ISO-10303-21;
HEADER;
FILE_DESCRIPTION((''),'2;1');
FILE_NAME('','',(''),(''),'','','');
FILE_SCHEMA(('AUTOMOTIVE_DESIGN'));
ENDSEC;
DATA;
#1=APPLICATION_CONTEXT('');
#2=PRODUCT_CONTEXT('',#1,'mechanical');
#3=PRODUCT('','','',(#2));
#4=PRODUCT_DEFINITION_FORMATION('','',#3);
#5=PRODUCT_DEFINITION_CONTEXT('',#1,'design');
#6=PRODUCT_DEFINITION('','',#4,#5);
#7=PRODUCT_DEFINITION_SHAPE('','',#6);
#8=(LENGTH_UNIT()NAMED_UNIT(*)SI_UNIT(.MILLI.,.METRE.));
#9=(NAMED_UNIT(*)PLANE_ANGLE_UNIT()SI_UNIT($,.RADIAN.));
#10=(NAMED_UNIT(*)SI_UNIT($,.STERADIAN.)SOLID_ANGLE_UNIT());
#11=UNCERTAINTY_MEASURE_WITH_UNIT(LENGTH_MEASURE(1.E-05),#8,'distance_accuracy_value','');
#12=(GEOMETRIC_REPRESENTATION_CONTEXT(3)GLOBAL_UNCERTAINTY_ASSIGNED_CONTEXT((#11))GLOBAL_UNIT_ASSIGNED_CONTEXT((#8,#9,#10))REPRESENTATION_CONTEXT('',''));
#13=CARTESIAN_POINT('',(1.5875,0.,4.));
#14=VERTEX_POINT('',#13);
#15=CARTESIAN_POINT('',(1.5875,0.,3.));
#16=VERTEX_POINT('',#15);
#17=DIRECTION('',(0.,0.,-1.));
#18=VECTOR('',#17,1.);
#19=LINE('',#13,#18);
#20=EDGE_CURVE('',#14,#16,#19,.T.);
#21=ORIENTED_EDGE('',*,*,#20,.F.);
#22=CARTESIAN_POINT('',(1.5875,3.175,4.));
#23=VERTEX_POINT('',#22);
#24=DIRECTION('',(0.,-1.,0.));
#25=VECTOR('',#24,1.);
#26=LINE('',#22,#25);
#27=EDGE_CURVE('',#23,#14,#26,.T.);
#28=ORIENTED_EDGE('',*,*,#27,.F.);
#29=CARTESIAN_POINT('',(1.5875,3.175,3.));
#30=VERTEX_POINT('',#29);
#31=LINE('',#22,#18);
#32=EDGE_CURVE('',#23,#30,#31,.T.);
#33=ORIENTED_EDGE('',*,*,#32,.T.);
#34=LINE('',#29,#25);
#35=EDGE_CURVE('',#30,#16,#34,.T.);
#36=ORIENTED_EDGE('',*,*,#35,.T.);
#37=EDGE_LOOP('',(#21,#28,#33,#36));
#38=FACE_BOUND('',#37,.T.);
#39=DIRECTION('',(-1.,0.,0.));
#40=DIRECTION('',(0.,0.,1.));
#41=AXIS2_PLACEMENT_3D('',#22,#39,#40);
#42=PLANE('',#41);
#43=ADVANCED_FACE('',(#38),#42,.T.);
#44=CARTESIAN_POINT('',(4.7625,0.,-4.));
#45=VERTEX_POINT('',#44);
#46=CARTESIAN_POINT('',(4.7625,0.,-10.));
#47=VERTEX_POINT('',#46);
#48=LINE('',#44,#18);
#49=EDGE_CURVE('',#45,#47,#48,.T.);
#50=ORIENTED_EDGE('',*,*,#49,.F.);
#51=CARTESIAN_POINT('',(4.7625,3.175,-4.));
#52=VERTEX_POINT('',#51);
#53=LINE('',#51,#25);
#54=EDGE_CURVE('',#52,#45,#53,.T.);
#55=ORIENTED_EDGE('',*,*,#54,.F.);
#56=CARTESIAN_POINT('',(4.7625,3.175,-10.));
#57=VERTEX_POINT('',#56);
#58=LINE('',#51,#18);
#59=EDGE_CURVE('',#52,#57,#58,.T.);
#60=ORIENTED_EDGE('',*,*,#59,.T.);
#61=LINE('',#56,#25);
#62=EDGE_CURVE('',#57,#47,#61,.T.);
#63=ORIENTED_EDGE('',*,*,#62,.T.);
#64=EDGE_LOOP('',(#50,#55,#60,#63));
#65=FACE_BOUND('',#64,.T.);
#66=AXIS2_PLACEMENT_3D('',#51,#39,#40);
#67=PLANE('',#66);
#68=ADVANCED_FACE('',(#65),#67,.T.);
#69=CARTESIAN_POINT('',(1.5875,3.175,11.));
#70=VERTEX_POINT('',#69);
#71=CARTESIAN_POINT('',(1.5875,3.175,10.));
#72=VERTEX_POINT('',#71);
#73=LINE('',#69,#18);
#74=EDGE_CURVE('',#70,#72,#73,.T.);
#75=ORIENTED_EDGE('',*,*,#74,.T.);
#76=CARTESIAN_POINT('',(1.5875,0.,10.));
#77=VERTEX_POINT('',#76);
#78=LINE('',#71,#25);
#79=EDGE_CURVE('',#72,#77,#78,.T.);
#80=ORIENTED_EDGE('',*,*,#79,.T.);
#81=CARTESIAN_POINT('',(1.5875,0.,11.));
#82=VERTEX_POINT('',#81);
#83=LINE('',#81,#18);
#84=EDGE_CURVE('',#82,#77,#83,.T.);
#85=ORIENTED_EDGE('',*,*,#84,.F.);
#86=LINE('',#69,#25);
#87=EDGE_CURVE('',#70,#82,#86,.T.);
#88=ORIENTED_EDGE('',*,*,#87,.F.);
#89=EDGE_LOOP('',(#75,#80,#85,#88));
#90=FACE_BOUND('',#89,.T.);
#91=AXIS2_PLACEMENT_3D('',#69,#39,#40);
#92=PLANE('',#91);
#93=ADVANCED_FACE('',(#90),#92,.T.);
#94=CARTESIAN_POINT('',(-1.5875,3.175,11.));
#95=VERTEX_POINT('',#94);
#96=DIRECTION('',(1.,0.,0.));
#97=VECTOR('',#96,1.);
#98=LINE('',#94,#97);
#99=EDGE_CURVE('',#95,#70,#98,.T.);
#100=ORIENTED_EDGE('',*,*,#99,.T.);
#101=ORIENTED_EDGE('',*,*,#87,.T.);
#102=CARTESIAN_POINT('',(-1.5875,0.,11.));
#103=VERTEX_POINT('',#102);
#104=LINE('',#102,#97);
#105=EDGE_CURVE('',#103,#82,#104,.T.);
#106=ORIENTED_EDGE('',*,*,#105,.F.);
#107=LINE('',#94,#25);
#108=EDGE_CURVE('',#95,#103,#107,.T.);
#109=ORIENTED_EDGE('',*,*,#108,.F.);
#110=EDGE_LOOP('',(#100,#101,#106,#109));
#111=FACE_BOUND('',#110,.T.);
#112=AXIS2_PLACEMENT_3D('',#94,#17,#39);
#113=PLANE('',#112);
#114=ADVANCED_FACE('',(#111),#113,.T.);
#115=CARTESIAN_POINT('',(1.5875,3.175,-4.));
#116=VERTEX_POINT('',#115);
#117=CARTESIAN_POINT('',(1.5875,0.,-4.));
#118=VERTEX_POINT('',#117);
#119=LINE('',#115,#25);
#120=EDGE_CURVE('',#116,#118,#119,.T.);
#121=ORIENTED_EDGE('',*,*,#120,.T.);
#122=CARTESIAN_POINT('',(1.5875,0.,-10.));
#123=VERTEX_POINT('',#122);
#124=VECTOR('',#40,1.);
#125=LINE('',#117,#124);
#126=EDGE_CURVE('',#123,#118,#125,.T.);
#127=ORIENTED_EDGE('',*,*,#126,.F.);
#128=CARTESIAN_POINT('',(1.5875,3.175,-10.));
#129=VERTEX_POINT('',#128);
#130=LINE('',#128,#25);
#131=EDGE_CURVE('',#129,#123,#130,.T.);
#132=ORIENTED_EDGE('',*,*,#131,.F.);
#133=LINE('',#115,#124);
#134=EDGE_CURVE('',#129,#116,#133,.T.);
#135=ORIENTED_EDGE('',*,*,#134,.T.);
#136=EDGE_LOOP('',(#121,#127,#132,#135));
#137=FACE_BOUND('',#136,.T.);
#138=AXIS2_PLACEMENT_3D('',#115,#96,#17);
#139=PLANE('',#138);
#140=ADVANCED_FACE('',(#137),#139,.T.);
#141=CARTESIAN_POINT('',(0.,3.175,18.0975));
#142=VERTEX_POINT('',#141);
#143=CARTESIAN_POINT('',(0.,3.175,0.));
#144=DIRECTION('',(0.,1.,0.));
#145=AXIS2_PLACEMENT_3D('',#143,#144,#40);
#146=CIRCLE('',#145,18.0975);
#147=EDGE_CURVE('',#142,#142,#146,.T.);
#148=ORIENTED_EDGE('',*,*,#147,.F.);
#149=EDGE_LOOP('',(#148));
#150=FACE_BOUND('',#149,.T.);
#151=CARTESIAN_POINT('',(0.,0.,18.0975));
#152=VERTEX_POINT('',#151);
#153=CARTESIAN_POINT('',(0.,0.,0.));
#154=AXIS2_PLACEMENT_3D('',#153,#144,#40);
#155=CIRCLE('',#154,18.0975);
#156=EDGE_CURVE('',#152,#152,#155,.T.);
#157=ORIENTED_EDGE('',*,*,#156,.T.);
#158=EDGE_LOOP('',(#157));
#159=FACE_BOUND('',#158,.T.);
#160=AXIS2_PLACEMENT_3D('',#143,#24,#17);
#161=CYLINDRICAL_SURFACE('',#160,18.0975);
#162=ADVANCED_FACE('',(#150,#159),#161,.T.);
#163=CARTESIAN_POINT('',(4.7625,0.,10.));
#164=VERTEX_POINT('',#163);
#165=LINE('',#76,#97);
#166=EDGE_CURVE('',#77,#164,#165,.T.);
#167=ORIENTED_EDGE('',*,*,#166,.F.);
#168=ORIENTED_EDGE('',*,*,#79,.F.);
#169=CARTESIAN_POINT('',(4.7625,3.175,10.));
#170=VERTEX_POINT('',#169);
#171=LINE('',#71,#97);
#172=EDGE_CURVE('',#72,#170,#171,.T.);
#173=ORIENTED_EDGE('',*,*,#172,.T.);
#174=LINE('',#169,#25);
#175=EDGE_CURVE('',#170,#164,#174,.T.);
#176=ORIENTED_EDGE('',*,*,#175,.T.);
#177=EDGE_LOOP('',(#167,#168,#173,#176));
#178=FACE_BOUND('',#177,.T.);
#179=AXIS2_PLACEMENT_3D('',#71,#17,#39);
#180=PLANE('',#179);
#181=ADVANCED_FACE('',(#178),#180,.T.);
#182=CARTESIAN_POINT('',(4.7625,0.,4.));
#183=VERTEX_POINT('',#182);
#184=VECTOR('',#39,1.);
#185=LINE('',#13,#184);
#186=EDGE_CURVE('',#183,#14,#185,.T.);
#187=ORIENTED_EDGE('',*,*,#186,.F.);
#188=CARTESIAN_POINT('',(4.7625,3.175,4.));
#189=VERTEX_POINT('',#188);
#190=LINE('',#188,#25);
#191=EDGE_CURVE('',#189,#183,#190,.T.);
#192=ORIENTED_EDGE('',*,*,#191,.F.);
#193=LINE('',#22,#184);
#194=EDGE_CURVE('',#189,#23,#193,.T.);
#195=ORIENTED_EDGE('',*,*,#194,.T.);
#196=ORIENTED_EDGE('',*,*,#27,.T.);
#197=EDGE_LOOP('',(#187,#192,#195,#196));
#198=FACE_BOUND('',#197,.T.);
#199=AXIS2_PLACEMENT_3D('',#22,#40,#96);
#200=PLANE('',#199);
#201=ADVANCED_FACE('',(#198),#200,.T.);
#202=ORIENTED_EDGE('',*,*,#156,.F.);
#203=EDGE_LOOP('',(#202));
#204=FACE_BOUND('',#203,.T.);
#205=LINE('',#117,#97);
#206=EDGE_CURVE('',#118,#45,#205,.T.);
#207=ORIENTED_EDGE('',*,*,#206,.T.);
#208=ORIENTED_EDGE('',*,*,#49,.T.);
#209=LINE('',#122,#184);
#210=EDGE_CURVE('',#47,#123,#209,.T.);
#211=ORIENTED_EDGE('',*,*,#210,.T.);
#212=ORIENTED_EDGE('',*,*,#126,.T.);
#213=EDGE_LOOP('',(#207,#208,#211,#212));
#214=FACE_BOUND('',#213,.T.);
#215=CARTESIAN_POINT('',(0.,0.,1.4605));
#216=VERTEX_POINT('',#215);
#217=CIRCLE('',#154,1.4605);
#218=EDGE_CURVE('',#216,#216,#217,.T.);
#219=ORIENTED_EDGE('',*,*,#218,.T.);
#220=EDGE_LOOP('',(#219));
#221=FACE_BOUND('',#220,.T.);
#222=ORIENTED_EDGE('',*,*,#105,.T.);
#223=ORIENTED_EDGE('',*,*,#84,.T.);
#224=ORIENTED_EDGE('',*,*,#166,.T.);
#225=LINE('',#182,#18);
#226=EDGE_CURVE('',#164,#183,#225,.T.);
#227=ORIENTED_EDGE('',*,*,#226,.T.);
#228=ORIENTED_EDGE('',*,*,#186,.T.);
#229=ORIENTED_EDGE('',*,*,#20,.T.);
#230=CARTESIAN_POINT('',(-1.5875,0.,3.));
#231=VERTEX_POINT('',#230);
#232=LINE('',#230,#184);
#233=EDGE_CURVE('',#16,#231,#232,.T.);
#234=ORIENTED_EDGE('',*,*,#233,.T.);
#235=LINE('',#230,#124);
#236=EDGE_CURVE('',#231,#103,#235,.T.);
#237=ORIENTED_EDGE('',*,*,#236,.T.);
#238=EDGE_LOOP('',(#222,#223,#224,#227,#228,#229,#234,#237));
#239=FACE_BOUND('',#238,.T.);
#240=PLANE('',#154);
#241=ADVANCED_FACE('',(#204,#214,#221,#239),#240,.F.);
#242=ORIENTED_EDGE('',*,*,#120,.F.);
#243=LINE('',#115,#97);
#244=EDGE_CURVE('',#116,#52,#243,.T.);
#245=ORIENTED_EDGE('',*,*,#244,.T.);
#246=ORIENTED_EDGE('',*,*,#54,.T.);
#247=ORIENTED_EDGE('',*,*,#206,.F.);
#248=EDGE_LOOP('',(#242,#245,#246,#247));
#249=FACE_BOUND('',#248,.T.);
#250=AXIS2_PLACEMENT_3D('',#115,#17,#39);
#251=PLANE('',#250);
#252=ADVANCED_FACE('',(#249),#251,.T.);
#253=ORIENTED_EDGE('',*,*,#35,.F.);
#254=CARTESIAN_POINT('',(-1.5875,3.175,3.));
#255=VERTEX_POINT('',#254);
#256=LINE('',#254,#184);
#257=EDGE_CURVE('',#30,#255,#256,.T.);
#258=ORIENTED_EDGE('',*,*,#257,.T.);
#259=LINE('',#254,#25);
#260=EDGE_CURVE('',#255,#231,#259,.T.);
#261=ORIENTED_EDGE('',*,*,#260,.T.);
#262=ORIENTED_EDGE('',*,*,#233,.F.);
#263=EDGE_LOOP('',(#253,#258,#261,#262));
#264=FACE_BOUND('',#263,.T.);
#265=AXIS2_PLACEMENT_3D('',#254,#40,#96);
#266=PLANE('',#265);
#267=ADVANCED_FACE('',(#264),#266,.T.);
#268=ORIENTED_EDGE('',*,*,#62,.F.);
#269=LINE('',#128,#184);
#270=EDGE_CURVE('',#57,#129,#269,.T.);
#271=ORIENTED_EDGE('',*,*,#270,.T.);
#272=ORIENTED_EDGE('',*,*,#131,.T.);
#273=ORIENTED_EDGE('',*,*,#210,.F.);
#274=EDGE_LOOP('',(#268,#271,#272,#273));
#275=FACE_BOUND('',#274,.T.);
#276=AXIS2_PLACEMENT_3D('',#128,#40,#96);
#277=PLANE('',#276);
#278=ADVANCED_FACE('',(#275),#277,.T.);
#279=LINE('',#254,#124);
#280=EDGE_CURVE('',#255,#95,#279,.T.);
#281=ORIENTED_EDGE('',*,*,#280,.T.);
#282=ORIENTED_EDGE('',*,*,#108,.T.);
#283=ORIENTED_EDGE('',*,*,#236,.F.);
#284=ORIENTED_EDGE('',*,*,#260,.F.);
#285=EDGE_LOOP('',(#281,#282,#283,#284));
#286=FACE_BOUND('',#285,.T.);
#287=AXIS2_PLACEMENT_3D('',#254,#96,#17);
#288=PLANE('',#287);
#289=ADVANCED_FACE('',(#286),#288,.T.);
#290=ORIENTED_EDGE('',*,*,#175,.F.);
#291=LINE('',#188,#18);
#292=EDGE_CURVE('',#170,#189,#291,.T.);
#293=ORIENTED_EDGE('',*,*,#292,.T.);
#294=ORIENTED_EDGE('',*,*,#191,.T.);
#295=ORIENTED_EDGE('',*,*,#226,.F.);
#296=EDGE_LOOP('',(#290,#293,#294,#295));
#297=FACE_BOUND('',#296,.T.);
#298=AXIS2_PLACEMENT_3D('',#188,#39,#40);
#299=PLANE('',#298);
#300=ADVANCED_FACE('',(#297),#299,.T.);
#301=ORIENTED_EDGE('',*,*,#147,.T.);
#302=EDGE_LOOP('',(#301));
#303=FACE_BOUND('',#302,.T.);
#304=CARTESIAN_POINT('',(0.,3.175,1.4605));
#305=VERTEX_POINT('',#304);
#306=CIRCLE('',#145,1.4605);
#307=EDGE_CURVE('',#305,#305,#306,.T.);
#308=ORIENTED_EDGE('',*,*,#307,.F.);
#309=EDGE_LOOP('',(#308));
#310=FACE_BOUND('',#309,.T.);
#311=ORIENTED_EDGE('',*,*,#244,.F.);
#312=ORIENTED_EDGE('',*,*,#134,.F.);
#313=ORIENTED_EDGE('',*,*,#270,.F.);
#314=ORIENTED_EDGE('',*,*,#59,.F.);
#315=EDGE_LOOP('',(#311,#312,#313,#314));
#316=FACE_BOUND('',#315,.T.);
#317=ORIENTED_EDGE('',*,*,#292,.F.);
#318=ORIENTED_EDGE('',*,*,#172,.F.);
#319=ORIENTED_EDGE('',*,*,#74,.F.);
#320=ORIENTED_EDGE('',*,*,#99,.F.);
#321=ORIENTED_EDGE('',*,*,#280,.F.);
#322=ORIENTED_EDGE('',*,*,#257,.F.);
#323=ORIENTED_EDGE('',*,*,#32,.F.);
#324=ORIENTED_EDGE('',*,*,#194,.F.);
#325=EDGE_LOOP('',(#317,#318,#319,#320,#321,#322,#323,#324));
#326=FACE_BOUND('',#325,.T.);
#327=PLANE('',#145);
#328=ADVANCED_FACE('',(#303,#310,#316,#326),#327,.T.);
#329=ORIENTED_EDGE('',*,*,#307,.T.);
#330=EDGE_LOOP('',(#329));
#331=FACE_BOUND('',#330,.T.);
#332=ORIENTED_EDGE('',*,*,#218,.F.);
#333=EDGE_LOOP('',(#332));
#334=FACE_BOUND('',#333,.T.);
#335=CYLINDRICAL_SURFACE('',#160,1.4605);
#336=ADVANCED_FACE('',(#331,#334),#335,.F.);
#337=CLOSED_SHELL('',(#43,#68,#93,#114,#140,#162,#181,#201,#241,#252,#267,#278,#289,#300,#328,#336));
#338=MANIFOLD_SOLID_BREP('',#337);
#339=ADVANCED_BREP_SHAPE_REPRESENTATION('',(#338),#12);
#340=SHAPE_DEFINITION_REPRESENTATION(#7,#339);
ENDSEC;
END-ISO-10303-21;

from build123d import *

# Parameters (mm, degrees)
SKETCH1_R           = 18.0975
SKETCH1_R_2         = 1.4605
SKETCH1_W           = 3.175
SKETCH1_H           = 6
BOSS_EXTRUDE1_DEPTH = 3.175


with BuildPart() as part:
    # Sketch1 → Boss-Extrude1 (new body)
    with BuildSketch(Plane(origin=(0, 0, 0), x_dir=(1, 0, 0), z_dir=(0, 1, 0))):
        with Locations(Location((0, 0, 0), (0, 0, 270))):
            Circle(SKETCH1_R)
        with Locations(Location((0, 0, 0), (0, 0, 270))):
            Circle(SKETCH1_R_2, mode=Mode.SUBTRACT)
        Polygon((1.5875, -4), (1.5875, -3), (-1.5875, -3), (-1.5875, -11), (1.5875, -11), (1.5875, -10), (4.7625, -10), (4.7625, -4), align=None, mode=Mode.SUBTRACT)
        with Locations((3.175, 7)):
            Rectangle(SKETCH1_W, SKETCH1_H, mode=Mode.SUBTRACT)
    extrude(amount=BOSS_EXTRUDE1_DEPTH)


solid = part.part
